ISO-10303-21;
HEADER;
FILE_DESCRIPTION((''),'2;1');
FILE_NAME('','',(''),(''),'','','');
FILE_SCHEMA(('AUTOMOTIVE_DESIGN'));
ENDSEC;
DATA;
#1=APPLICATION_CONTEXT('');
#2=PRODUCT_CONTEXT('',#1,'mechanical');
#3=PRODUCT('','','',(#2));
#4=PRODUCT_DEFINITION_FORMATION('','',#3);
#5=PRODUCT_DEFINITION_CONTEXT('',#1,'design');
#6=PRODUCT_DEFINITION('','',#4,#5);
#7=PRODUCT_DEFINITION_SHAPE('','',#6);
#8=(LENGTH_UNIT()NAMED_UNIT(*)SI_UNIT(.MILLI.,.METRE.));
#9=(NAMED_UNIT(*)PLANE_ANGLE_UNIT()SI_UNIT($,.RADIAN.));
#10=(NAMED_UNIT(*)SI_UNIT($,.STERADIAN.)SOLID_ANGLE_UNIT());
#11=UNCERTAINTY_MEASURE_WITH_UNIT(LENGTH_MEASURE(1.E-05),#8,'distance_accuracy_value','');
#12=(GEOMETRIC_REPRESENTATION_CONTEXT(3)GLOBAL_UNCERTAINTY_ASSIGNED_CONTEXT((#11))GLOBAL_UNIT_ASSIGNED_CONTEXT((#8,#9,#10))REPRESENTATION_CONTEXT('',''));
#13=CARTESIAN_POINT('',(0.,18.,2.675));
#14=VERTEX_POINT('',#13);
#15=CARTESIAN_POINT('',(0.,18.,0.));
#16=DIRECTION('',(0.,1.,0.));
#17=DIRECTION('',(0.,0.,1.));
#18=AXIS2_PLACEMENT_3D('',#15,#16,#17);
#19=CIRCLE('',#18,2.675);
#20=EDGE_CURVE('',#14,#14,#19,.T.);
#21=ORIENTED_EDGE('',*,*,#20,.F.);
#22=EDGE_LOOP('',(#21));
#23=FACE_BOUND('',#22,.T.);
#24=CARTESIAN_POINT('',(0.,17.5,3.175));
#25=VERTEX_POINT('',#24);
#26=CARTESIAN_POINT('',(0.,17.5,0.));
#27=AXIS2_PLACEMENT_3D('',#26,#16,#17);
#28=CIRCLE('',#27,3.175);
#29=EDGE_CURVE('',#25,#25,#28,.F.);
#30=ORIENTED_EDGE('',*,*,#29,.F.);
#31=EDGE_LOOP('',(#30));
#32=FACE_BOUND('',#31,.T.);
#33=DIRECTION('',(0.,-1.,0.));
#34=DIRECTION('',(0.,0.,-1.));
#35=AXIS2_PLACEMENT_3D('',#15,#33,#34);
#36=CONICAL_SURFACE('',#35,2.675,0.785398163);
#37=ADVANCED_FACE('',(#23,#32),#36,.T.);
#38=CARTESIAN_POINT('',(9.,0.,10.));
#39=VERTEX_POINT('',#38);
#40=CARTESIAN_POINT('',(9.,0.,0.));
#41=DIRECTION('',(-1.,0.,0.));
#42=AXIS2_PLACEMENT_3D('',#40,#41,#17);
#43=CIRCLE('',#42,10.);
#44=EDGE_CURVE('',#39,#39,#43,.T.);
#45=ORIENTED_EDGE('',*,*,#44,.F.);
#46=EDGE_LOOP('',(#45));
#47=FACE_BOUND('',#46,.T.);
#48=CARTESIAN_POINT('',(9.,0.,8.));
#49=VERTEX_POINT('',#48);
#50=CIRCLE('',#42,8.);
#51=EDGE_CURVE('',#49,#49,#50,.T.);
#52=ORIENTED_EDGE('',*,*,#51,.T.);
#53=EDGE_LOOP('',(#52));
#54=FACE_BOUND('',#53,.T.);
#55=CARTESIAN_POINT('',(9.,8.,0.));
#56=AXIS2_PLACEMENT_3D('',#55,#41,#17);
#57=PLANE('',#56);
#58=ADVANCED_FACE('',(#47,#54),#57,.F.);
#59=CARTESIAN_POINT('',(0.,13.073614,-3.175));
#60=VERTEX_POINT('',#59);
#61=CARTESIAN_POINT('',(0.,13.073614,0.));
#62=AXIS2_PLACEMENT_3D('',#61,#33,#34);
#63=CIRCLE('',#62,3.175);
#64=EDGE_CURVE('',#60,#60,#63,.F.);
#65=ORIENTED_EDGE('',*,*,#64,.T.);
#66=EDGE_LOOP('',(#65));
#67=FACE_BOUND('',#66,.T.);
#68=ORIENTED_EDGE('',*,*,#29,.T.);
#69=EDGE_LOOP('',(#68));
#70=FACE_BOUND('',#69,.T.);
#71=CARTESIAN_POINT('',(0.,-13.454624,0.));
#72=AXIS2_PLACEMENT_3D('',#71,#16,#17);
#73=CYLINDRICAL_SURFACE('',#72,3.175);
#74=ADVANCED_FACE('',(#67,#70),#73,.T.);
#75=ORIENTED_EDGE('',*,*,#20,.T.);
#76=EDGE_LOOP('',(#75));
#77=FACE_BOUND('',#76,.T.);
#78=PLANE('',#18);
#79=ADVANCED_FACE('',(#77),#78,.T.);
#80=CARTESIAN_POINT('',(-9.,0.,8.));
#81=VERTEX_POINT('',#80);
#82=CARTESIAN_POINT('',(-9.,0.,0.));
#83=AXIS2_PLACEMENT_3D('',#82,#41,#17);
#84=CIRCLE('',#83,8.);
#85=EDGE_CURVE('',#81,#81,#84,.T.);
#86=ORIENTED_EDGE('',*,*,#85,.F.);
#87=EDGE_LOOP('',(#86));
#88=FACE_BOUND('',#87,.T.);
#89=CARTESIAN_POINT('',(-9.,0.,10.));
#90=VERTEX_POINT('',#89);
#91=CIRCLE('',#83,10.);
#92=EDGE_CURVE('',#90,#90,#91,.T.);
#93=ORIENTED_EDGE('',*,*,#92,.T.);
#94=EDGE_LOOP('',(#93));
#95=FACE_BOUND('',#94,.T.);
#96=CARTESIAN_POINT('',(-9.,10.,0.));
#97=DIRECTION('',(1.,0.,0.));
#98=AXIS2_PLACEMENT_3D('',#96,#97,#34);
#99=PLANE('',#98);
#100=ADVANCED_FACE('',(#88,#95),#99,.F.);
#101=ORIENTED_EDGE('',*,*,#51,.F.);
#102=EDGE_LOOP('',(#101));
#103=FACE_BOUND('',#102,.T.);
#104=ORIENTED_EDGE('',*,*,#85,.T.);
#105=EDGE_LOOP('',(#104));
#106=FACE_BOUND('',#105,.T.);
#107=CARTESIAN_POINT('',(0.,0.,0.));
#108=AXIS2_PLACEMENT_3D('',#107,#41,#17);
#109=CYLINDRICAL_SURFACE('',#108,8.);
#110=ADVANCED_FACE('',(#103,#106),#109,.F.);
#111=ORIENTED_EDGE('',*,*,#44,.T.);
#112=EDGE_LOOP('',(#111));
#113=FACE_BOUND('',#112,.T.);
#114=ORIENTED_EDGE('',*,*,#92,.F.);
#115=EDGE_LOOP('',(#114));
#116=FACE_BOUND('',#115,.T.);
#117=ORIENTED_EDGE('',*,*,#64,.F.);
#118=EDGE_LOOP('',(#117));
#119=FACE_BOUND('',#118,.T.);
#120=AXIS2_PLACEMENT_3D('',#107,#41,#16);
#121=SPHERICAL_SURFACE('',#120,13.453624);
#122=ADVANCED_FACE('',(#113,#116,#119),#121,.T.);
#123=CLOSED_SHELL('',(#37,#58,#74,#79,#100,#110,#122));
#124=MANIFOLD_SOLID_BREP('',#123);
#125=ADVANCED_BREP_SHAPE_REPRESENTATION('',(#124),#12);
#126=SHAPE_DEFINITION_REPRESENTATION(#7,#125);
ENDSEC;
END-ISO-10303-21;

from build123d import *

# Parameters (mm, degrees)
RESSALTO_EXTRUS_O1_REACH      = 37.374
RESSALTO_EXTRUS_O1_END_RADIUS = 13.453624047
ESBO_O2_R                     = 3.175
CHANFRO1_SIZE                 = 0.5


with BuildPart() as part:
    # Esboço1 → Revolução1 (revolve)
    with BuildSketch(Plane.XY, mode=Mode.PRIVATE) as revolu_o1_sk:
        with BuildLine():
            Line((-9, 10), (-9, 8))
            Line((-9, 8), (9, 8))
            Line((9, 8), (9, 10))
            ThreePointArc((9, 10), (0, 13.453624047), (-9, 10))
        make_face()
    revolve(revolu_o1_sk.sketch.rotate(Axis((0, 0, 0), (1, 0, 0)), 90), axis=Axis((0, 0, 0), (1, 0, 0)))

    # Ressalto-extrusão1: up to this sphere (the profile starts outside it)
    ressalto_extrus_o1_end = Location((0, 0, 0)) * Sphere(RESSALTO_EXTRUS_O1_END_RADIUS, mode=Mode.PRIVATE)
    # Esboço2 → Ressalto-extrusão1 (add, up to the surface)
    with BuildSketch(Plane(origin=(0, 18, 0), x_dir=(1, 0, 0), z_dir=(0, 1, 0)), mode=Mode.PRIVATE) as ressalto_extrus_o1_sk1:
        with Locations(Location((0, 0, 0), (0, 0, 270))):
            Circle(ESBO_O2_R)
    ressalto_extrus_o1_tool1 = extrude(ressalto_extrus_o1_sk1.sketch, amount=-RESSALTO_EXTRUS_O1_REACH, mode=Mode.PRIVATE) - ressalto_extrus_o1_end
    add(ressalto_extrus_o1_tool1.solids().sort_by_distance((0, 18, 0))[0])

    # Chanfro1
    chanfro1_edges = [part.edges().sort_by_distance(p)[0] for p in [
        (0, 18, -3.175),
    ]]
    chamfer(chanfro1_edges, length=CHANFRO1_SIZE)


solid = part.part
